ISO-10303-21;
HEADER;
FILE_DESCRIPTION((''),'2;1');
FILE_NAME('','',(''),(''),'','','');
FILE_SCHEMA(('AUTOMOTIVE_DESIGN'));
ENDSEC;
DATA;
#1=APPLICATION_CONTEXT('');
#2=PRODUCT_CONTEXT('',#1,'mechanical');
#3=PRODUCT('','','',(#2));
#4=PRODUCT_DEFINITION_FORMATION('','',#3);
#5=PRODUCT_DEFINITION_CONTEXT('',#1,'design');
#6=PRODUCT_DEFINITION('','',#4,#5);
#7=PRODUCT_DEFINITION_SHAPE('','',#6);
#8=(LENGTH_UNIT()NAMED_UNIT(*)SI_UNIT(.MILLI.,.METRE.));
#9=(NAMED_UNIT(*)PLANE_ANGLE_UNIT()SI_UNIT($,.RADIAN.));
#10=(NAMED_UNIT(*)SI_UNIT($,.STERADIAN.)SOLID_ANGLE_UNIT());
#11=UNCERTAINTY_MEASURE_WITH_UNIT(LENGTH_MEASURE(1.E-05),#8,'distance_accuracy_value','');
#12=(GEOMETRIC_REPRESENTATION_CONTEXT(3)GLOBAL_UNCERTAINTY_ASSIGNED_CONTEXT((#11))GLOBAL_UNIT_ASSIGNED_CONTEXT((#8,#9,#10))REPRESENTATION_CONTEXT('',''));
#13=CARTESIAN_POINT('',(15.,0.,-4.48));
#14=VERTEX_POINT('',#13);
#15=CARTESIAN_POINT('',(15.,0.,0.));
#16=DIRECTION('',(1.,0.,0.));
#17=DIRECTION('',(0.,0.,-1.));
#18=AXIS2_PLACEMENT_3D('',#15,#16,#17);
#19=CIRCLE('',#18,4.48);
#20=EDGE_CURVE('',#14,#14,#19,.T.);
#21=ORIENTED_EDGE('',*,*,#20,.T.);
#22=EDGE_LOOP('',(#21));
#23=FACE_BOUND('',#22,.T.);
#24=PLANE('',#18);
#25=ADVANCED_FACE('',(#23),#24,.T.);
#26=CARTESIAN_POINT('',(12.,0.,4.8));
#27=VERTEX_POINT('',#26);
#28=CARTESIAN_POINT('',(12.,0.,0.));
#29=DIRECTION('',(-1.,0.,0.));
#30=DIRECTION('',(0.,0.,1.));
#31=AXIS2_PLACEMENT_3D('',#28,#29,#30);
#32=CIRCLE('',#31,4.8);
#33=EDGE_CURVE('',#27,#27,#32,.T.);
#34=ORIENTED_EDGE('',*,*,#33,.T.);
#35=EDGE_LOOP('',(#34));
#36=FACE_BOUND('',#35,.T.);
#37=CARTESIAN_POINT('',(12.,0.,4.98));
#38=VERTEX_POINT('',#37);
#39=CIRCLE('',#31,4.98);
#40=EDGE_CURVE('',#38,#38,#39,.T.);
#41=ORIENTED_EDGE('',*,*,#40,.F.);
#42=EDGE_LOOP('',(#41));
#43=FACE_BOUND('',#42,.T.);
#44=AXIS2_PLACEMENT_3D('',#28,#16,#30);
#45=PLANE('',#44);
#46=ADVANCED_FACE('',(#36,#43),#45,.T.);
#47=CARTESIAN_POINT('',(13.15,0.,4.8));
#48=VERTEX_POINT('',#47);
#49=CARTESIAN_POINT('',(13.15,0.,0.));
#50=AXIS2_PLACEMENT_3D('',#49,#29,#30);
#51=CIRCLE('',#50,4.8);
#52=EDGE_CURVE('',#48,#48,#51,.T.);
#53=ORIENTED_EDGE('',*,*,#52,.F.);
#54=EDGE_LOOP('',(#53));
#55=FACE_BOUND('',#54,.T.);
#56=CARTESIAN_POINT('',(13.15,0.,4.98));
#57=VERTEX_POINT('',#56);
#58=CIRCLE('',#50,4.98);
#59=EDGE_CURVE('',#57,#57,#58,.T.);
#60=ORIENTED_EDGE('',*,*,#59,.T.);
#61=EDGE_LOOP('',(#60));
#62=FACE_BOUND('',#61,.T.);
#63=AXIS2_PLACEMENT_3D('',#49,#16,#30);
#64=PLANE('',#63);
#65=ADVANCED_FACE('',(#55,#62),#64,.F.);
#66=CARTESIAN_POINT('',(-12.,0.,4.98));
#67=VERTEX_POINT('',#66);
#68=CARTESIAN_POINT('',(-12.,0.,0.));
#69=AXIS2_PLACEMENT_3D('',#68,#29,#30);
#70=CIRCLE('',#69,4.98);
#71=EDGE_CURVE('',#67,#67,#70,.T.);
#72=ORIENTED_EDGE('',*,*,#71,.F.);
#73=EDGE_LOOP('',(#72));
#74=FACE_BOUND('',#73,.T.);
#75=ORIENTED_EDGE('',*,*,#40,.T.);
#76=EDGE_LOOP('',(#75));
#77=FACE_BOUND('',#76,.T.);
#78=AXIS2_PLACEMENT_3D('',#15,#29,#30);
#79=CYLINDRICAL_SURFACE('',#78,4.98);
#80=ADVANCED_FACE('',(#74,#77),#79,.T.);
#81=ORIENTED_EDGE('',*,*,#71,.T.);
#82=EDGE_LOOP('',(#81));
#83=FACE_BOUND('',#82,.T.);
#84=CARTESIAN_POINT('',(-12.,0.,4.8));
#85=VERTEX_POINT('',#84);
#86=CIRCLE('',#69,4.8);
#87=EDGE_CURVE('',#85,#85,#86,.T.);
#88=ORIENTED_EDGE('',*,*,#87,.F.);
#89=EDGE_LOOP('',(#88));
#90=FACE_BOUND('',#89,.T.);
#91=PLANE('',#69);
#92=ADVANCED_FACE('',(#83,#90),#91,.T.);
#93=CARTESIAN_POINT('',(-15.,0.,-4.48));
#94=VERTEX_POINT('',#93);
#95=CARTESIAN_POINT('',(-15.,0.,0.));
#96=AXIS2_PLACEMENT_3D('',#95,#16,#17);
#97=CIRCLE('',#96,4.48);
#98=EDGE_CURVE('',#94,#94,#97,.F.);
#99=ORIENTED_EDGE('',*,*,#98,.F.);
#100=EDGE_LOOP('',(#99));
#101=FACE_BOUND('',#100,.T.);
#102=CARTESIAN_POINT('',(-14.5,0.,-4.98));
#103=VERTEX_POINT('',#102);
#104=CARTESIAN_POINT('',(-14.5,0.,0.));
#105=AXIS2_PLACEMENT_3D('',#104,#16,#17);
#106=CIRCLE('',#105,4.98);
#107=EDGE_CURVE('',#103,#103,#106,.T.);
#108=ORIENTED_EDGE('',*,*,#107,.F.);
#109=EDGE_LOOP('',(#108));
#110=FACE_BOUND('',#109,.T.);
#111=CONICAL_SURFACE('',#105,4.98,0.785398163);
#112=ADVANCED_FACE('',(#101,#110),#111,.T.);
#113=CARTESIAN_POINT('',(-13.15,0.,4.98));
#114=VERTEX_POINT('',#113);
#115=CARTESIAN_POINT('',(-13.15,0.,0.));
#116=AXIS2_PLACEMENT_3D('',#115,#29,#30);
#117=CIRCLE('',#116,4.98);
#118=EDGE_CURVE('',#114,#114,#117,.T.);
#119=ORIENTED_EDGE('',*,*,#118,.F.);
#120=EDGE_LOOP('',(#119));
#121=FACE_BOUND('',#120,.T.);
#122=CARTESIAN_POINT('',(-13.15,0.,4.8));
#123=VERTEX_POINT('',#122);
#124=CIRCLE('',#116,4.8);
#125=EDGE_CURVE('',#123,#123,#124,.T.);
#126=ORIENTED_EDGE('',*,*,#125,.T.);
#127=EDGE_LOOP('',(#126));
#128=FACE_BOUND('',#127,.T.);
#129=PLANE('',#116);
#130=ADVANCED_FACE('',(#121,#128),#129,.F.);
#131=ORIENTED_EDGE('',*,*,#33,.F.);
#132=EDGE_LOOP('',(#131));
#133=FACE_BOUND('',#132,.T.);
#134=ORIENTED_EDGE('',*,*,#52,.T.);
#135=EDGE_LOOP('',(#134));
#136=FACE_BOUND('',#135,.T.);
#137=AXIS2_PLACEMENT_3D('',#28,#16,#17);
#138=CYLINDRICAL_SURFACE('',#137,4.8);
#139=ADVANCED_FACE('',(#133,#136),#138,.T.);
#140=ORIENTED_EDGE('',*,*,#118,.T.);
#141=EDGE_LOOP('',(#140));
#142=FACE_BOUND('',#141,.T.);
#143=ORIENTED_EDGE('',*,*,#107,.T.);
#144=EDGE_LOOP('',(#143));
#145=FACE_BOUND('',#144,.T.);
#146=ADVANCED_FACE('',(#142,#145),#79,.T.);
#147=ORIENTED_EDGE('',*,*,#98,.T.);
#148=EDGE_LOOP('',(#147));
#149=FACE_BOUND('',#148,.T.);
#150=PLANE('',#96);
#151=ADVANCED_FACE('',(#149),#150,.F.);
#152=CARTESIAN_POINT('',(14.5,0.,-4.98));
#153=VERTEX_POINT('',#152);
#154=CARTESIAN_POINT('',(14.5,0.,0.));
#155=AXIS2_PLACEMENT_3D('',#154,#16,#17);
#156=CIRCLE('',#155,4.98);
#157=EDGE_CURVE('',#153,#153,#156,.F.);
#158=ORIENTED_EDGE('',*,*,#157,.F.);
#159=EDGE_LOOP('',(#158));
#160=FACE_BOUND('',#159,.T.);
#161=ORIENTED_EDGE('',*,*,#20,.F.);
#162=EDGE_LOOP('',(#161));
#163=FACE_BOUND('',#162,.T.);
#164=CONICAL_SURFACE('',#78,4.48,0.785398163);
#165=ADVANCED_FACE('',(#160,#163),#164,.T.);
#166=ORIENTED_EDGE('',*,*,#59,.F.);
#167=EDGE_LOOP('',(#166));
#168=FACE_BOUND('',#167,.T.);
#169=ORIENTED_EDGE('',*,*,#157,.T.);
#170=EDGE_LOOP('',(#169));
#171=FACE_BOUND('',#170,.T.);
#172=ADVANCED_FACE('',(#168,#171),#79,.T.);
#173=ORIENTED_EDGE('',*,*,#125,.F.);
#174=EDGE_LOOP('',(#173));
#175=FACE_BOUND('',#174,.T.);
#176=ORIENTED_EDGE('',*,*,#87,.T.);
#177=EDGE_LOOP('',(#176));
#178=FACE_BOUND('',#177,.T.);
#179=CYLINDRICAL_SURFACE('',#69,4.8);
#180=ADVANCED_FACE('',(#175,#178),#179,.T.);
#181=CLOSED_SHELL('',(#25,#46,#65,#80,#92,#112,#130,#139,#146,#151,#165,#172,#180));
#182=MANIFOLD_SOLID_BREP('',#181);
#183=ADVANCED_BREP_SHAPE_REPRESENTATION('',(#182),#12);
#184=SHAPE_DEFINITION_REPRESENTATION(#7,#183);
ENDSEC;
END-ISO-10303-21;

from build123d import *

# Parameters (mm, degrees)
SKETCH1_R           = 4.98
BOSS_EXTRUDE1_DEPTH = 15
CUT_EXTRUDE1_START  = -3
SKETCH2_R           = 4.98
SKETCH2_R_2         = 4.8
CUT_EXTRUDE1_DEPTH  = 1.15
CHAMFER1_SIZE       = 0.5
CHAMFER2_SIZE       = 0.5


with BuildPart() as part:
    # Sketch1 → Boss-Extrude1 (new, symmetric)
    with BuildSketch(Plane(origin=(0, 0, 0), x_dir=(0, 0, -1), z_dir=(1, 0, 0))):
        Circle(SKETCH1_R)
    extrude(amount=BOSS_EXTRUDE1_DEPTH, both=True)

    # Sketch2 → Cut-Extrude1 (cut)
    with BuildSketch(Plane.ZY.offset(15).offset(CUT_EXTRUDE1_START)):
        Circle(SKETCH2_R)
        Circle(SKETCH2_R_2, mode=Mode.SUBTRACT)
    cut_extrude1 = extrude(amount=CUT_EXTRUDE1_DEPTH, mode=Mode.SUBTRACT)

    # Chamfer1
    chamfer1_edges = [part.edges().sort_by_distance(p)[0] for p in [
        (-15, 0, 4.98),
    ]]
    chamfer(chamfer1_edges, length=CHAMFER1_SIZE)

    # Mirror1: Cut-Extrude1 across plane
    add(cut_extrude1.mirror(Plane(origin=(0, 0, 0), x_dir=(0, 0, 1), z_dir=(1, 0, 0))), mode=Mode.SUBTRACT)

    # Chamfer2
    chamfer2_edges = [part.edges().sort_by_distance(p)[0] for p in [
        (15, 0, 4.98),
    ]]
    chamfer(chamfer2_edges, length=CHAMFER2_SIZE)


solid = part.part
